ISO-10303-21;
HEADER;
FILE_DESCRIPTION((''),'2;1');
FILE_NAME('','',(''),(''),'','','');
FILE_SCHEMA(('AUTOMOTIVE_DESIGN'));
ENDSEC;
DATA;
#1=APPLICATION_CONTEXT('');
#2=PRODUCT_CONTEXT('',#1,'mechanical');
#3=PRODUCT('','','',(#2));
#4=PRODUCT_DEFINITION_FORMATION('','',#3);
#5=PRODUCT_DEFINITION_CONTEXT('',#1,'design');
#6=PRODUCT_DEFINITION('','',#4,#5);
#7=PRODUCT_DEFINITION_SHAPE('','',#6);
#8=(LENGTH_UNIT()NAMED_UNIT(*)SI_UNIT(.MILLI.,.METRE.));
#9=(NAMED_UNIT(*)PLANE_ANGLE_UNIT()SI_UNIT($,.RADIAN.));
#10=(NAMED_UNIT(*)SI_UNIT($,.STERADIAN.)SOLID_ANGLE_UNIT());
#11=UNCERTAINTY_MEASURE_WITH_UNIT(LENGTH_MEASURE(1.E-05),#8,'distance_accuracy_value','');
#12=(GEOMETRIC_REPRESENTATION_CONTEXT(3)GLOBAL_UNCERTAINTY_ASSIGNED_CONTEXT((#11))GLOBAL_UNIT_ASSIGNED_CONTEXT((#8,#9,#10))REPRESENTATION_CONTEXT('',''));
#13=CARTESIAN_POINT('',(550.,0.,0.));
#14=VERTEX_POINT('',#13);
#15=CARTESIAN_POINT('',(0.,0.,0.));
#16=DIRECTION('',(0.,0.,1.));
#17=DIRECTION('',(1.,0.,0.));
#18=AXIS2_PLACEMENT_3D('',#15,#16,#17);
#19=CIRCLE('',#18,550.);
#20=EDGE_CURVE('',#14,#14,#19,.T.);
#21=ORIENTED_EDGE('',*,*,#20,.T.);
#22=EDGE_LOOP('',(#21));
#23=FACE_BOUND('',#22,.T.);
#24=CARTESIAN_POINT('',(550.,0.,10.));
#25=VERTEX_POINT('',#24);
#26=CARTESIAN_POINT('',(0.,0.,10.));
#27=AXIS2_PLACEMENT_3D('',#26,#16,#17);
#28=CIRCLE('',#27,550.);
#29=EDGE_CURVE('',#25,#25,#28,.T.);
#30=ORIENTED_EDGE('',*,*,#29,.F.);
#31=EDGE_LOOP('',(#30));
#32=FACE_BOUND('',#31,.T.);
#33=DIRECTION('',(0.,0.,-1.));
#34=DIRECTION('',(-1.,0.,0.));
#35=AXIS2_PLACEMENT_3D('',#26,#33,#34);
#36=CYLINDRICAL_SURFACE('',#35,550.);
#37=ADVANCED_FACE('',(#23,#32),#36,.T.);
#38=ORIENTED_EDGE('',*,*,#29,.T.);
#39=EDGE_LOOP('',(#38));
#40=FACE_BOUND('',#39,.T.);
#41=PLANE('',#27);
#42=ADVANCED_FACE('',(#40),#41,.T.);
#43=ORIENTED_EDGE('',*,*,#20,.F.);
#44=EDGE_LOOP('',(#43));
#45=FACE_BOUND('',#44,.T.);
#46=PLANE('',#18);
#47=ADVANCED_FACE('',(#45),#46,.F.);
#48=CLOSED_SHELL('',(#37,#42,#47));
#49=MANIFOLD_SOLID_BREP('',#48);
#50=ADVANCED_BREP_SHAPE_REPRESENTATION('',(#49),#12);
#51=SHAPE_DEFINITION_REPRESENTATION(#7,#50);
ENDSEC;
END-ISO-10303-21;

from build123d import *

# Parameters (mm, degrees)
SKETCH_2_R      = 550
EXTRUDE_2_DEPTH = 10


with BuildPart() as part:
    # Эскиз2 → Бобышка-Вытянуть2 (new body)
    with BuildSketch(Plane.XY):
        Circle(SKETCH_2_R)
    extrude(amount=EXTRUDE_2_DEPTH)


solid = part.part
